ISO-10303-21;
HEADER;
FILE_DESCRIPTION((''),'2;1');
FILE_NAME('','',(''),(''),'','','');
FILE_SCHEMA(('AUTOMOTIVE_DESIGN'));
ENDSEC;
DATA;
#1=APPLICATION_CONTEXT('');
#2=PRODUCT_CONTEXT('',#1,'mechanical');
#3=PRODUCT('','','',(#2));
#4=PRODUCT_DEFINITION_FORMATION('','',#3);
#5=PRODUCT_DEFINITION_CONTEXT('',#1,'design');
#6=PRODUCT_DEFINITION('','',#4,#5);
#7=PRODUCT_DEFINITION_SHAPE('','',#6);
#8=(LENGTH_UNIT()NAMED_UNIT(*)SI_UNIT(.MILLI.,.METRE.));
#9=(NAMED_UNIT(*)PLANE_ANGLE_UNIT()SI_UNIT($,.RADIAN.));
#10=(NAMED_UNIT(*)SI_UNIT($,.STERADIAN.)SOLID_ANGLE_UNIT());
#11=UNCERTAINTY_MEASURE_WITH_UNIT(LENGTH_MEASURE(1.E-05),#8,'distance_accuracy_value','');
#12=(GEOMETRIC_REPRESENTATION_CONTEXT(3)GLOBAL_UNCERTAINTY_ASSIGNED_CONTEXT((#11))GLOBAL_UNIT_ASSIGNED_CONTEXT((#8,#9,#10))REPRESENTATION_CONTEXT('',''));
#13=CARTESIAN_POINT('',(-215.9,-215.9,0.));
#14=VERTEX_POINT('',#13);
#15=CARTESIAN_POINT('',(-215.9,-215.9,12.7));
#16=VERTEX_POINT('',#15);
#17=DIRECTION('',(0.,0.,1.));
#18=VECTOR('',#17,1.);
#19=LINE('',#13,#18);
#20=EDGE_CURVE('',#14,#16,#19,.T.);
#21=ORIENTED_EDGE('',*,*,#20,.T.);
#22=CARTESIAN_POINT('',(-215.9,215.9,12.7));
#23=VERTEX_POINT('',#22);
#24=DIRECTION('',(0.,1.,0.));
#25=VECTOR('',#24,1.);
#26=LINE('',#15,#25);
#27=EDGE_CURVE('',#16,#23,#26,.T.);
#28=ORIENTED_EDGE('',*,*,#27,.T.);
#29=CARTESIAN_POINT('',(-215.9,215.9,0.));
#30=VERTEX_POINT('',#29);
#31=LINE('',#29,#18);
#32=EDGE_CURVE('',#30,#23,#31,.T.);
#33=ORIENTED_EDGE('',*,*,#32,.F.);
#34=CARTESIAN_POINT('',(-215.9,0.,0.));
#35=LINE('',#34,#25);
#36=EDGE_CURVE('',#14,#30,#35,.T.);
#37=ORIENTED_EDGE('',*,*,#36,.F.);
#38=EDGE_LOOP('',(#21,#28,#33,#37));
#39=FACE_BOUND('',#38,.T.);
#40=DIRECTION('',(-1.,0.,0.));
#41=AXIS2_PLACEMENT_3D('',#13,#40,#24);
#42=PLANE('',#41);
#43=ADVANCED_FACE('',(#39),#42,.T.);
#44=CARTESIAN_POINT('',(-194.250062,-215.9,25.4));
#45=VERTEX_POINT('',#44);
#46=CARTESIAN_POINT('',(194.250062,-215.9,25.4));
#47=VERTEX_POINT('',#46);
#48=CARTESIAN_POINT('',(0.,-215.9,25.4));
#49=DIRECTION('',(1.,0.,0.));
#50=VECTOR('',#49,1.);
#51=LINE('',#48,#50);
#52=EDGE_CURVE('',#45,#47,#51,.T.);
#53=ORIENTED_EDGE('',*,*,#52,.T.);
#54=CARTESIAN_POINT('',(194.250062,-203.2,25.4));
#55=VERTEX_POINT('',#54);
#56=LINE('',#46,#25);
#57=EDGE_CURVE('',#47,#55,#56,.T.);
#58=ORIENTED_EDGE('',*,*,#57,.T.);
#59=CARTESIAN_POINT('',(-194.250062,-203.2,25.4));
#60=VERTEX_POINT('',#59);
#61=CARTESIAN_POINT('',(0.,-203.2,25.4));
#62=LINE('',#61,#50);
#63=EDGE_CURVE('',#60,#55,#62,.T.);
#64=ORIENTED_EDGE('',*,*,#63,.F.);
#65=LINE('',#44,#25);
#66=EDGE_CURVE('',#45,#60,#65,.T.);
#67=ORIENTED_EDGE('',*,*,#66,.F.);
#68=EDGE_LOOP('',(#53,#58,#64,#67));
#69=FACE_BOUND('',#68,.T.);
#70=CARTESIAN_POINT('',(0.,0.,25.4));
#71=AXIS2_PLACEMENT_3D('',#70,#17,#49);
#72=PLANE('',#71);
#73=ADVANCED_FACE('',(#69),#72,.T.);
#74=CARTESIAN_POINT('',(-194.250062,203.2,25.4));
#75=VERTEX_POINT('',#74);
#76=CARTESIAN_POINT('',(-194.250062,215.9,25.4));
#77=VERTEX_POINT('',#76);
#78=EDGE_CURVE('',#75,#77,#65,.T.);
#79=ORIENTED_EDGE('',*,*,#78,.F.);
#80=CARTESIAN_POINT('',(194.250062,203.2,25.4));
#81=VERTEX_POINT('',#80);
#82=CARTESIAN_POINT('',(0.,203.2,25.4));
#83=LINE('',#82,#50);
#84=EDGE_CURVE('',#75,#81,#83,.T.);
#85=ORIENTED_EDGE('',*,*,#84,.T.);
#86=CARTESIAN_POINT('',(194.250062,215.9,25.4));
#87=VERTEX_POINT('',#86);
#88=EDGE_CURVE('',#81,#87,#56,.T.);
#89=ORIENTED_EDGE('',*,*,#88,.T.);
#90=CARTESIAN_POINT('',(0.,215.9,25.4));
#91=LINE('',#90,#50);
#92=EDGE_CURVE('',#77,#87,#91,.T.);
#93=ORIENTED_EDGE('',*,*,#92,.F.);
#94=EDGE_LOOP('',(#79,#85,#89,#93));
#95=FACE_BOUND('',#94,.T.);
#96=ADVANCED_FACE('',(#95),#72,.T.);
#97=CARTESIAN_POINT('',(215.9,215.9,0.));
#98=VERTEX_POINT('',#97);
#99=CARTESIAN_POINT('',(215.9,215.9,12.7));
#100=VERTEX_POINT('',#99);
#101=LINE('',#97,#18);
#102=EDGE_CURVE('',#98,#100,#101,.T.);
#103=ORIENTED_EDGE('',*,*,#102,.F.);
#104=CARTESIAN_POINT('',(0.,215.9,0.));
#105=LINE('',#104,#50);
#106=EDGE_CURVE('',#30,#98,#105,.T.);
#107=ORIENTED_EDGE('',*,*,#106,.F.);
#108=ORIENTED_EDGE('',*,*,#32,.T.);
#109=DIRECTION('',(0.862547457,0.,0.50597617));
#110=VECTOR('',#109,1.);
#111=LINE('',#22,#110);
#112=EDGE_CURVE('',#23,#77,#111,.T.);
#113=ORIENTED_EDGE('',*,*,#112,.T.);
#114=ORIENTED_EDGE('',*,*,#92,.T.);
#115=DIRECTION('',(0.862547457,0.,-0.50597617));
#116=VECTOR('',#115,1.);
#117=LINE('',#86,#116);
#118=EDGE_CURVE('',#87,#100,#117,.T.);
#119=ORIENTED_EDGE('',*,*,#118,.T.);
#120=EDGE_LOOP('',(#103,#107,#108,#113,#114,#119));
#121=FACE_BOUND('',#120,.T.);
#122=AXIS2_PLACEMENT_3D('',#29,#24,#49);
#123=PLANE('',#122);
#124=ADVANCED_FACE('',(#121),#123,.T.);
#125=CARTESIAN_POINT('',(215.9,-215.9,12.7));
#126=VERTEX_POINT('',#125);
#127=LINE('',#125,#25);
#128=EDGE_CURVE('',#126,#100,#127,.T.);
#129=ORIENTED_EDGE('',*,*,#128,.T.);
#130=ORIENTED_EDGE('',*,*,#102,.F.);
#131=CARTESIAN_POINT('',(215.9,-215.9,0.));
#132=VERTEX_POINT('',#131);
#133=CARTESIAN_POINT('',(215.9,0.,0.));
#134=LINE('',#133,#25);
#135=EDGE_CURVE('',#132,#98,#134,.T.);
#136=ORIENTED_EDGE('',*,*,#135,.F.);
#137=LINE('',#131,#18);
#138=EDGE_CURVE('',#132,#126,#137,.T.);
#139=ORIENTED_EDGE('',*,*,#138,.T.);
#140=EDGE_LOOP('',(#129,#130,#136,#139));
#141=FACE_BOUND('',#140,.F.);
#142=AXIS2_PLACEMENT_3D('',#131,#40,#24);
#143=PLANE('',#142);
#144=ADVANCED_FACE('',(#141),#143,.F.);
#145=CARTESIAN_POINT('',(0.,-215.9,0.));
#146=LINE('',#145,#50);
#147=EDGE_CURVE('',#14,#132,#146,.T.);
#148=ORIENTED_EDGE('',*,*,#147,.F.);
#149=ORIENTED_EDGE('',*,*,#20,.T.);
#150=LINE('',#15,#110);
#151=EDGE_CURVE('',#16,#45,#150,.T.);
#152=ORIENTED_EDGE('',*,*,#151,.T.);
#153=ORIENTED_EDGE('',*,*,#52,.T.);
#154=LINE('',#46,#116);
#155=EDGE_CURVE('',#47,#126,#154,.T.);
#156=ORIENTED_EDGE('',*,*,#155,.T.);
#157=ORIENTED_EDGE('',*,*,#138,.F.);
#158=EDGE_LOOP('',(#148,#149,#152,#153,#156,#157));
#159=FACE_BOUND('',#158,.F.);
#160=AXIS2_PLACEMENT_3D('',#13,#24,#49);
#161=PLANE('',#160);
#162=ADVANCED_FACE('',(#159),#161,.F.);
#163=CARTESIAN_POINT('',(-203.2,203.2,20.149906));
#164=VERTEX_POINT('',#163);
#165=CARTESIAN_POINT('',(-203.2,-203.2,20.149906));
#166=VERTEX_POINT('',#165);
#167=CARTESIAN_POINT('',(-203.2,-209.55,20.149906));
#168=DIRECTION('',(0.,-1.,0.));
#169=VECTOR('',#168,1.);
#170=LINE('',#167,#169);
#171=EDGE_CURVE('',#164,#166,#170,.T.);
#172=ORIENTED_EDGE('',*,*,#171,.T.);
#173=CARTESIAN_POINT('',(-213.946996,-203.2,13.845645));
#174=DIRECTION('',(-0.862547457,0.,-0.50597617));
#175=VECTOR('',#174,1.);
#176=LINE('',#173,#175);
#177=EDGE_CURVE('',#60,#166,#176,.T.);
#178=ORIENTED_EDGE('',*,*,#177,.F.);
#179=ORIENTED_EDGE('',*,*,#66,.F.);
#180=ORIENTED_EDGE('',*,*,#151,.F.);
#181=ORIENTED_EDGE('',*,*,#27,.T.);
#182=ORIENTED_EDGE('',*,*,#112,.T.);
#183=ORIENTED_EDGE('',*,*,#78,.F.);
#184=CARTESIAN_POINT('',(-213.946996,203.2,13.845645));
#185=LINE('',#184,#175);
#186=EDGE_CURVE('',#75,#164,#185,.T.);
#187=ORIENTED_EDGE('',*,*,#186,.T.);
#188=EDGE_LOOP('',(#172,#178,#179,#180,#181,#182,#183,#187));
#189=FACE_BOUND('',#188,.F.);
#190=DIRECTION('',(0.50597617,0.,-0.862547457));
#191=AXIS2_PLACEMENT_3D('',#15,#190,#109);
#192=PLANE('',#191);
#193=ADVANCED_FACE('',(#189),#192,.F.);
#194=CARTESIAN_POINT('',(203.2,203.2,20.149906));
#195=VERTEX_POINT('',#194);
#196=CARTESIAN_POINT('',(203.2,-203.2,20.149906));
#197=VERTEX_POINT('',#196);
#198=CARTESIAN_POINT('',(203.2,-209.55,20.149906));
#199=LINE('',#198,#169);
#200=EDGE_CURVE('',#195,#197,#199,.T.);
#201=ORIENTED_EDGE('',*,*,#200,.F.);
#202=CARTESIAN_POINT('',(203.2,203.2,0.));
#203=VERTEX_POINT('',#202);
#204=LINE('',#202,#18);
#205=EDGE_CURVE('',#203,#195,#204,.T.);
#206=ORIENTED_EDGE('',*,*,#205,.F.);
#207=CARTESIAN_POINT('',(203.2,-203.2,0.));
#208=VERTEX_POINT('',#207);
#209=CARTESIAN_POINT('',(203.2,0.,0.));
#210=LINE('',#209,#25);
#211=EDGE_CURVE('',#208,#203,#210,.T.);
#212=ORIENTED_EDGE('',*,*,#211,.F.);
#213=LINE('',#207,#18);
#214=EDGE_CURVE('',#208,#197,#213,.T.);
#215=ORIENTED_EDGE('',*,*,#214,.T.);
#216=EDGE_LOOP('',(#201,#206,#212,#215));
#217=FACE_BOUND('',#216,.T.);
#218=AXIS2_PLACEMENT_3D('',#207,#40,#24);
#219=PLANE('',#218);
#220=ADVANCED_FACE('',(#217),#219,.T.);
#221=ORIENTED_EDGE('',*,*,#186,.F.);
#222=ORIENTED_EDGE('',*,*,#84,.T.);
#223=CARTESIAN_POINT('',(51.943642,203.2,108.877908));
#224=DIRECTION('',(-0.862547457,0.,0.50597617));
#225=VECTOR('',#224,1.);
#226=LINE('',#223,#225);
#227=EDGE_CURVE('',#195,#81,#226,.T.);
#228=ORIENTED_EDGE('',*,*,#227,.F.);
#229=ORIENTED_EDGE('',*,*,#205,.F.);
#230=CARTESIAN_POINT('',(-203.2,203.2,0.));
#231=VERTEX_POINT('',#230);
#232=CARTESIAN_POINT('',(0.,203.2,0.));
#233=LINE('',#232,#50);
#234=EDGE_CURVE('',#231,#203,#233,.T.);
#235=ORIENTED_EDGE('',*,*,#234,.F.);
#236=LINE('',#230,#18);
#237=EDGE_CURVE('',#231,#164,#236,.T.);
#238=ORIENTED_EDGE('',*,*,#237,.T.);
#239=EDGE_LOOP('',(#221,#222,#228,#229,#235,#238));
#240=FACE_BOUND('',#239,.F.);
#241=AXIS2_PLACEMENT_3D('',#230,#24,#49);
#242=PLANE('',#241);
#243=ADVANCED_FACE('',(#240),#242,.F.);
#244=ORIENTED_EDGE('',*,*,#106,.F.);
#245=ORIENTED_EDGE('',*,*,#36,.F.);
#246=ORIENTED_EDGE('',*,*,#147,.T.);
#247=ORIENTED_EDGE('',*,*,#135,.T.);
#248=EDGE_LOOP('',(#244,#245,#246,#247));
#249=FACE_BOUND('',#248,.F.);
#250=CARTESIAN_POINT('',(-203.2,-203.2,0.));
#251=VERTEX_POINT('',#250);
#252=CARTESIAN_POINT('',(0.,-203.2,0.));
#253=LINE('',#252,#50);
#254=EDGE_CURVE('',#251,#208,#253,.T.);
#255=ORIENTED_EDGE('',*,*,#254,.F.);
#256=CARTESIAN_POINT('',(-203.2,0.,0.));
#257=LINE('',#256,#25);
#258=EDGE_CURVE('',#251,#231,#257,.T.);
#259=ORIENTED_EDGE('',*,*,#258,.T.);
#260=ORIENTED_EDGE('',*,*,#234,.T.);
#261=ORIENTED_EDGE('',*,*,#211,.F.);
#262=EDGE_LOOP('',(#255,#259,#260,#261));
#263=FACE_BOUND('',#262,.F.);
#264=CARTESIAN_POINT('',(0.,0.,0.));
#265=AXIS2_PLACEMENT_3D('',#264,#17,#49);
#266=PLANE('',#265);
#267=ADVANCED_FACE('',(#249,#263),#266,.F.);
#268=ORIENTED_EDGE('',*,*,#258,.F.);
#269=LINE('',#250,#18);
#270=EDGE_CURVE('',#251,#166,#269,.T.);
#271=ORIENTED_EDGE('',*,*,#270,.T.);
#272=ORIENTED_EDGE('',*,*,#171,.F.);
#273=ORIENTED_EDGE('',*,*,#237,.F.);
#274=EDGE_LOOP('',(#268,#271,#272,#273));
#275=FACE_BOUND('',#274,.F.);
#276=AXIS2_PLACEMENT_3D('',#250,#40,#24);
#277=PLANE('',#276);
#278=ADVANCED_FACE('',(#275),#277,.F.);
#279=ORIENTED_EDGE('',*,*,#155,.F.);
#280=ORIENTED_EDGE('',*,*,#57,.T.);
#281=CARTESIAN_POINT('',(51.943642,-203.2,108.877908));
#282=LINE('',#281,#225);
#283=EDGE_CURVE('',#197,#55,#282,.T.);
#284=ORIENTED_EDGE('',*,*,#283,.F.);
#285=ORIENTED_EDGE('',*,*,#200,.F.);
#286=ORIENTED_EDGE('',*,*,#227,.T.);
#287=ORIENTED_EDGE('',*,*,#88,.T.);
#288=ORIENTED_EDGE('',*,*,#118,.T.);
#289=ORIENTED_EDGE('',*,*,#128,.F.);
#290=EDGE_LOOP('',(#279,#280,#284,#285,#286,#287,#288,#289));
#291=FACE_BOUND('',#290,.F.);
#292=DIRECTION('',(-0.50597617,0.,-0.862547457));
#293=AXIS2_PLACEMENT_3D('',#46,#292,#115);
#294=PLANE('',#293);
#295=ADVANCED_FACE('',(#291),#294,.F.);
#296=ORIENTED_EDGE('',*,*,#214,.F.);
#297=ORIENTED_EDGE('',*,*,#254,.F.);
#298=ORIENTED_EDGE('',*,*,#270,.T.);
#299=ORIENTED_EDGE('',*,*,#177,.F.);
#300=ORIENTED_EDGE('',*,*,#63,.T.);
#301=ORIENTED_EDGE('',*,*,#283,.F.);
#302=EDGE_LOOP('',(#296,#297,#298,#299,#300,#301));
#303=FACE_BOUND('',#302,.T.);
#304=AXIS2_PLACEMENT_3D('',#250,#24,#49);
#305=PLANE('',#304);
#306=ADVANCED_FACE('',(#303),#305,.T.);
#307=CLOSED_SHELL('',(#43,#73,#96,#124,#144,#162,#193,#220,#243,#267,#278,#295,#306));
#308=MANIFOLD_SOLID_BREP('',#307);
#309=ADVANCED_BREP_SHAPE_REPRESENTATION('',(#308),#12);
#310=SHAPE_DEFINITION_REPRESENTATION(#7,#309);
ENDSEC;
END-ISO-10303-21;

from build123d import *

# Parameters (mm, degrees)
F0_W     = 431.8
F0_H     = 431.8
F0_W_2   = 406.4
F0_H_2   = 406.4
F1_DEPTH = 25.4
F3_DEPTH = 431.8


with BuildPart() as f1:
    # F0 (on Top) → F1 (new body)
    with BuildSketch(Plane.XY):
        Rectangle(F0_W, F0_H)
        Rectangle(F0_W_2, F0_H_2, mode=Mode.SUBTRACT)
    extrude(amount=F1_DEPTH)

    # F2 (on face) → F3 (cut)
    with BuildSketch(Plane.XZ.offset(215.9)):
        Polygon((-215.9, 25.4), (-215.9, 12.7), (-194.250062, 25.4), align=None)
        Polygon((215.9, 25.4), (194.250062, 25.4), (215.9, 12.7), align=None)
    extrude(amount=-F3_DEPTH, mode=Mode.SUBTRACT)


solid = f1.part
